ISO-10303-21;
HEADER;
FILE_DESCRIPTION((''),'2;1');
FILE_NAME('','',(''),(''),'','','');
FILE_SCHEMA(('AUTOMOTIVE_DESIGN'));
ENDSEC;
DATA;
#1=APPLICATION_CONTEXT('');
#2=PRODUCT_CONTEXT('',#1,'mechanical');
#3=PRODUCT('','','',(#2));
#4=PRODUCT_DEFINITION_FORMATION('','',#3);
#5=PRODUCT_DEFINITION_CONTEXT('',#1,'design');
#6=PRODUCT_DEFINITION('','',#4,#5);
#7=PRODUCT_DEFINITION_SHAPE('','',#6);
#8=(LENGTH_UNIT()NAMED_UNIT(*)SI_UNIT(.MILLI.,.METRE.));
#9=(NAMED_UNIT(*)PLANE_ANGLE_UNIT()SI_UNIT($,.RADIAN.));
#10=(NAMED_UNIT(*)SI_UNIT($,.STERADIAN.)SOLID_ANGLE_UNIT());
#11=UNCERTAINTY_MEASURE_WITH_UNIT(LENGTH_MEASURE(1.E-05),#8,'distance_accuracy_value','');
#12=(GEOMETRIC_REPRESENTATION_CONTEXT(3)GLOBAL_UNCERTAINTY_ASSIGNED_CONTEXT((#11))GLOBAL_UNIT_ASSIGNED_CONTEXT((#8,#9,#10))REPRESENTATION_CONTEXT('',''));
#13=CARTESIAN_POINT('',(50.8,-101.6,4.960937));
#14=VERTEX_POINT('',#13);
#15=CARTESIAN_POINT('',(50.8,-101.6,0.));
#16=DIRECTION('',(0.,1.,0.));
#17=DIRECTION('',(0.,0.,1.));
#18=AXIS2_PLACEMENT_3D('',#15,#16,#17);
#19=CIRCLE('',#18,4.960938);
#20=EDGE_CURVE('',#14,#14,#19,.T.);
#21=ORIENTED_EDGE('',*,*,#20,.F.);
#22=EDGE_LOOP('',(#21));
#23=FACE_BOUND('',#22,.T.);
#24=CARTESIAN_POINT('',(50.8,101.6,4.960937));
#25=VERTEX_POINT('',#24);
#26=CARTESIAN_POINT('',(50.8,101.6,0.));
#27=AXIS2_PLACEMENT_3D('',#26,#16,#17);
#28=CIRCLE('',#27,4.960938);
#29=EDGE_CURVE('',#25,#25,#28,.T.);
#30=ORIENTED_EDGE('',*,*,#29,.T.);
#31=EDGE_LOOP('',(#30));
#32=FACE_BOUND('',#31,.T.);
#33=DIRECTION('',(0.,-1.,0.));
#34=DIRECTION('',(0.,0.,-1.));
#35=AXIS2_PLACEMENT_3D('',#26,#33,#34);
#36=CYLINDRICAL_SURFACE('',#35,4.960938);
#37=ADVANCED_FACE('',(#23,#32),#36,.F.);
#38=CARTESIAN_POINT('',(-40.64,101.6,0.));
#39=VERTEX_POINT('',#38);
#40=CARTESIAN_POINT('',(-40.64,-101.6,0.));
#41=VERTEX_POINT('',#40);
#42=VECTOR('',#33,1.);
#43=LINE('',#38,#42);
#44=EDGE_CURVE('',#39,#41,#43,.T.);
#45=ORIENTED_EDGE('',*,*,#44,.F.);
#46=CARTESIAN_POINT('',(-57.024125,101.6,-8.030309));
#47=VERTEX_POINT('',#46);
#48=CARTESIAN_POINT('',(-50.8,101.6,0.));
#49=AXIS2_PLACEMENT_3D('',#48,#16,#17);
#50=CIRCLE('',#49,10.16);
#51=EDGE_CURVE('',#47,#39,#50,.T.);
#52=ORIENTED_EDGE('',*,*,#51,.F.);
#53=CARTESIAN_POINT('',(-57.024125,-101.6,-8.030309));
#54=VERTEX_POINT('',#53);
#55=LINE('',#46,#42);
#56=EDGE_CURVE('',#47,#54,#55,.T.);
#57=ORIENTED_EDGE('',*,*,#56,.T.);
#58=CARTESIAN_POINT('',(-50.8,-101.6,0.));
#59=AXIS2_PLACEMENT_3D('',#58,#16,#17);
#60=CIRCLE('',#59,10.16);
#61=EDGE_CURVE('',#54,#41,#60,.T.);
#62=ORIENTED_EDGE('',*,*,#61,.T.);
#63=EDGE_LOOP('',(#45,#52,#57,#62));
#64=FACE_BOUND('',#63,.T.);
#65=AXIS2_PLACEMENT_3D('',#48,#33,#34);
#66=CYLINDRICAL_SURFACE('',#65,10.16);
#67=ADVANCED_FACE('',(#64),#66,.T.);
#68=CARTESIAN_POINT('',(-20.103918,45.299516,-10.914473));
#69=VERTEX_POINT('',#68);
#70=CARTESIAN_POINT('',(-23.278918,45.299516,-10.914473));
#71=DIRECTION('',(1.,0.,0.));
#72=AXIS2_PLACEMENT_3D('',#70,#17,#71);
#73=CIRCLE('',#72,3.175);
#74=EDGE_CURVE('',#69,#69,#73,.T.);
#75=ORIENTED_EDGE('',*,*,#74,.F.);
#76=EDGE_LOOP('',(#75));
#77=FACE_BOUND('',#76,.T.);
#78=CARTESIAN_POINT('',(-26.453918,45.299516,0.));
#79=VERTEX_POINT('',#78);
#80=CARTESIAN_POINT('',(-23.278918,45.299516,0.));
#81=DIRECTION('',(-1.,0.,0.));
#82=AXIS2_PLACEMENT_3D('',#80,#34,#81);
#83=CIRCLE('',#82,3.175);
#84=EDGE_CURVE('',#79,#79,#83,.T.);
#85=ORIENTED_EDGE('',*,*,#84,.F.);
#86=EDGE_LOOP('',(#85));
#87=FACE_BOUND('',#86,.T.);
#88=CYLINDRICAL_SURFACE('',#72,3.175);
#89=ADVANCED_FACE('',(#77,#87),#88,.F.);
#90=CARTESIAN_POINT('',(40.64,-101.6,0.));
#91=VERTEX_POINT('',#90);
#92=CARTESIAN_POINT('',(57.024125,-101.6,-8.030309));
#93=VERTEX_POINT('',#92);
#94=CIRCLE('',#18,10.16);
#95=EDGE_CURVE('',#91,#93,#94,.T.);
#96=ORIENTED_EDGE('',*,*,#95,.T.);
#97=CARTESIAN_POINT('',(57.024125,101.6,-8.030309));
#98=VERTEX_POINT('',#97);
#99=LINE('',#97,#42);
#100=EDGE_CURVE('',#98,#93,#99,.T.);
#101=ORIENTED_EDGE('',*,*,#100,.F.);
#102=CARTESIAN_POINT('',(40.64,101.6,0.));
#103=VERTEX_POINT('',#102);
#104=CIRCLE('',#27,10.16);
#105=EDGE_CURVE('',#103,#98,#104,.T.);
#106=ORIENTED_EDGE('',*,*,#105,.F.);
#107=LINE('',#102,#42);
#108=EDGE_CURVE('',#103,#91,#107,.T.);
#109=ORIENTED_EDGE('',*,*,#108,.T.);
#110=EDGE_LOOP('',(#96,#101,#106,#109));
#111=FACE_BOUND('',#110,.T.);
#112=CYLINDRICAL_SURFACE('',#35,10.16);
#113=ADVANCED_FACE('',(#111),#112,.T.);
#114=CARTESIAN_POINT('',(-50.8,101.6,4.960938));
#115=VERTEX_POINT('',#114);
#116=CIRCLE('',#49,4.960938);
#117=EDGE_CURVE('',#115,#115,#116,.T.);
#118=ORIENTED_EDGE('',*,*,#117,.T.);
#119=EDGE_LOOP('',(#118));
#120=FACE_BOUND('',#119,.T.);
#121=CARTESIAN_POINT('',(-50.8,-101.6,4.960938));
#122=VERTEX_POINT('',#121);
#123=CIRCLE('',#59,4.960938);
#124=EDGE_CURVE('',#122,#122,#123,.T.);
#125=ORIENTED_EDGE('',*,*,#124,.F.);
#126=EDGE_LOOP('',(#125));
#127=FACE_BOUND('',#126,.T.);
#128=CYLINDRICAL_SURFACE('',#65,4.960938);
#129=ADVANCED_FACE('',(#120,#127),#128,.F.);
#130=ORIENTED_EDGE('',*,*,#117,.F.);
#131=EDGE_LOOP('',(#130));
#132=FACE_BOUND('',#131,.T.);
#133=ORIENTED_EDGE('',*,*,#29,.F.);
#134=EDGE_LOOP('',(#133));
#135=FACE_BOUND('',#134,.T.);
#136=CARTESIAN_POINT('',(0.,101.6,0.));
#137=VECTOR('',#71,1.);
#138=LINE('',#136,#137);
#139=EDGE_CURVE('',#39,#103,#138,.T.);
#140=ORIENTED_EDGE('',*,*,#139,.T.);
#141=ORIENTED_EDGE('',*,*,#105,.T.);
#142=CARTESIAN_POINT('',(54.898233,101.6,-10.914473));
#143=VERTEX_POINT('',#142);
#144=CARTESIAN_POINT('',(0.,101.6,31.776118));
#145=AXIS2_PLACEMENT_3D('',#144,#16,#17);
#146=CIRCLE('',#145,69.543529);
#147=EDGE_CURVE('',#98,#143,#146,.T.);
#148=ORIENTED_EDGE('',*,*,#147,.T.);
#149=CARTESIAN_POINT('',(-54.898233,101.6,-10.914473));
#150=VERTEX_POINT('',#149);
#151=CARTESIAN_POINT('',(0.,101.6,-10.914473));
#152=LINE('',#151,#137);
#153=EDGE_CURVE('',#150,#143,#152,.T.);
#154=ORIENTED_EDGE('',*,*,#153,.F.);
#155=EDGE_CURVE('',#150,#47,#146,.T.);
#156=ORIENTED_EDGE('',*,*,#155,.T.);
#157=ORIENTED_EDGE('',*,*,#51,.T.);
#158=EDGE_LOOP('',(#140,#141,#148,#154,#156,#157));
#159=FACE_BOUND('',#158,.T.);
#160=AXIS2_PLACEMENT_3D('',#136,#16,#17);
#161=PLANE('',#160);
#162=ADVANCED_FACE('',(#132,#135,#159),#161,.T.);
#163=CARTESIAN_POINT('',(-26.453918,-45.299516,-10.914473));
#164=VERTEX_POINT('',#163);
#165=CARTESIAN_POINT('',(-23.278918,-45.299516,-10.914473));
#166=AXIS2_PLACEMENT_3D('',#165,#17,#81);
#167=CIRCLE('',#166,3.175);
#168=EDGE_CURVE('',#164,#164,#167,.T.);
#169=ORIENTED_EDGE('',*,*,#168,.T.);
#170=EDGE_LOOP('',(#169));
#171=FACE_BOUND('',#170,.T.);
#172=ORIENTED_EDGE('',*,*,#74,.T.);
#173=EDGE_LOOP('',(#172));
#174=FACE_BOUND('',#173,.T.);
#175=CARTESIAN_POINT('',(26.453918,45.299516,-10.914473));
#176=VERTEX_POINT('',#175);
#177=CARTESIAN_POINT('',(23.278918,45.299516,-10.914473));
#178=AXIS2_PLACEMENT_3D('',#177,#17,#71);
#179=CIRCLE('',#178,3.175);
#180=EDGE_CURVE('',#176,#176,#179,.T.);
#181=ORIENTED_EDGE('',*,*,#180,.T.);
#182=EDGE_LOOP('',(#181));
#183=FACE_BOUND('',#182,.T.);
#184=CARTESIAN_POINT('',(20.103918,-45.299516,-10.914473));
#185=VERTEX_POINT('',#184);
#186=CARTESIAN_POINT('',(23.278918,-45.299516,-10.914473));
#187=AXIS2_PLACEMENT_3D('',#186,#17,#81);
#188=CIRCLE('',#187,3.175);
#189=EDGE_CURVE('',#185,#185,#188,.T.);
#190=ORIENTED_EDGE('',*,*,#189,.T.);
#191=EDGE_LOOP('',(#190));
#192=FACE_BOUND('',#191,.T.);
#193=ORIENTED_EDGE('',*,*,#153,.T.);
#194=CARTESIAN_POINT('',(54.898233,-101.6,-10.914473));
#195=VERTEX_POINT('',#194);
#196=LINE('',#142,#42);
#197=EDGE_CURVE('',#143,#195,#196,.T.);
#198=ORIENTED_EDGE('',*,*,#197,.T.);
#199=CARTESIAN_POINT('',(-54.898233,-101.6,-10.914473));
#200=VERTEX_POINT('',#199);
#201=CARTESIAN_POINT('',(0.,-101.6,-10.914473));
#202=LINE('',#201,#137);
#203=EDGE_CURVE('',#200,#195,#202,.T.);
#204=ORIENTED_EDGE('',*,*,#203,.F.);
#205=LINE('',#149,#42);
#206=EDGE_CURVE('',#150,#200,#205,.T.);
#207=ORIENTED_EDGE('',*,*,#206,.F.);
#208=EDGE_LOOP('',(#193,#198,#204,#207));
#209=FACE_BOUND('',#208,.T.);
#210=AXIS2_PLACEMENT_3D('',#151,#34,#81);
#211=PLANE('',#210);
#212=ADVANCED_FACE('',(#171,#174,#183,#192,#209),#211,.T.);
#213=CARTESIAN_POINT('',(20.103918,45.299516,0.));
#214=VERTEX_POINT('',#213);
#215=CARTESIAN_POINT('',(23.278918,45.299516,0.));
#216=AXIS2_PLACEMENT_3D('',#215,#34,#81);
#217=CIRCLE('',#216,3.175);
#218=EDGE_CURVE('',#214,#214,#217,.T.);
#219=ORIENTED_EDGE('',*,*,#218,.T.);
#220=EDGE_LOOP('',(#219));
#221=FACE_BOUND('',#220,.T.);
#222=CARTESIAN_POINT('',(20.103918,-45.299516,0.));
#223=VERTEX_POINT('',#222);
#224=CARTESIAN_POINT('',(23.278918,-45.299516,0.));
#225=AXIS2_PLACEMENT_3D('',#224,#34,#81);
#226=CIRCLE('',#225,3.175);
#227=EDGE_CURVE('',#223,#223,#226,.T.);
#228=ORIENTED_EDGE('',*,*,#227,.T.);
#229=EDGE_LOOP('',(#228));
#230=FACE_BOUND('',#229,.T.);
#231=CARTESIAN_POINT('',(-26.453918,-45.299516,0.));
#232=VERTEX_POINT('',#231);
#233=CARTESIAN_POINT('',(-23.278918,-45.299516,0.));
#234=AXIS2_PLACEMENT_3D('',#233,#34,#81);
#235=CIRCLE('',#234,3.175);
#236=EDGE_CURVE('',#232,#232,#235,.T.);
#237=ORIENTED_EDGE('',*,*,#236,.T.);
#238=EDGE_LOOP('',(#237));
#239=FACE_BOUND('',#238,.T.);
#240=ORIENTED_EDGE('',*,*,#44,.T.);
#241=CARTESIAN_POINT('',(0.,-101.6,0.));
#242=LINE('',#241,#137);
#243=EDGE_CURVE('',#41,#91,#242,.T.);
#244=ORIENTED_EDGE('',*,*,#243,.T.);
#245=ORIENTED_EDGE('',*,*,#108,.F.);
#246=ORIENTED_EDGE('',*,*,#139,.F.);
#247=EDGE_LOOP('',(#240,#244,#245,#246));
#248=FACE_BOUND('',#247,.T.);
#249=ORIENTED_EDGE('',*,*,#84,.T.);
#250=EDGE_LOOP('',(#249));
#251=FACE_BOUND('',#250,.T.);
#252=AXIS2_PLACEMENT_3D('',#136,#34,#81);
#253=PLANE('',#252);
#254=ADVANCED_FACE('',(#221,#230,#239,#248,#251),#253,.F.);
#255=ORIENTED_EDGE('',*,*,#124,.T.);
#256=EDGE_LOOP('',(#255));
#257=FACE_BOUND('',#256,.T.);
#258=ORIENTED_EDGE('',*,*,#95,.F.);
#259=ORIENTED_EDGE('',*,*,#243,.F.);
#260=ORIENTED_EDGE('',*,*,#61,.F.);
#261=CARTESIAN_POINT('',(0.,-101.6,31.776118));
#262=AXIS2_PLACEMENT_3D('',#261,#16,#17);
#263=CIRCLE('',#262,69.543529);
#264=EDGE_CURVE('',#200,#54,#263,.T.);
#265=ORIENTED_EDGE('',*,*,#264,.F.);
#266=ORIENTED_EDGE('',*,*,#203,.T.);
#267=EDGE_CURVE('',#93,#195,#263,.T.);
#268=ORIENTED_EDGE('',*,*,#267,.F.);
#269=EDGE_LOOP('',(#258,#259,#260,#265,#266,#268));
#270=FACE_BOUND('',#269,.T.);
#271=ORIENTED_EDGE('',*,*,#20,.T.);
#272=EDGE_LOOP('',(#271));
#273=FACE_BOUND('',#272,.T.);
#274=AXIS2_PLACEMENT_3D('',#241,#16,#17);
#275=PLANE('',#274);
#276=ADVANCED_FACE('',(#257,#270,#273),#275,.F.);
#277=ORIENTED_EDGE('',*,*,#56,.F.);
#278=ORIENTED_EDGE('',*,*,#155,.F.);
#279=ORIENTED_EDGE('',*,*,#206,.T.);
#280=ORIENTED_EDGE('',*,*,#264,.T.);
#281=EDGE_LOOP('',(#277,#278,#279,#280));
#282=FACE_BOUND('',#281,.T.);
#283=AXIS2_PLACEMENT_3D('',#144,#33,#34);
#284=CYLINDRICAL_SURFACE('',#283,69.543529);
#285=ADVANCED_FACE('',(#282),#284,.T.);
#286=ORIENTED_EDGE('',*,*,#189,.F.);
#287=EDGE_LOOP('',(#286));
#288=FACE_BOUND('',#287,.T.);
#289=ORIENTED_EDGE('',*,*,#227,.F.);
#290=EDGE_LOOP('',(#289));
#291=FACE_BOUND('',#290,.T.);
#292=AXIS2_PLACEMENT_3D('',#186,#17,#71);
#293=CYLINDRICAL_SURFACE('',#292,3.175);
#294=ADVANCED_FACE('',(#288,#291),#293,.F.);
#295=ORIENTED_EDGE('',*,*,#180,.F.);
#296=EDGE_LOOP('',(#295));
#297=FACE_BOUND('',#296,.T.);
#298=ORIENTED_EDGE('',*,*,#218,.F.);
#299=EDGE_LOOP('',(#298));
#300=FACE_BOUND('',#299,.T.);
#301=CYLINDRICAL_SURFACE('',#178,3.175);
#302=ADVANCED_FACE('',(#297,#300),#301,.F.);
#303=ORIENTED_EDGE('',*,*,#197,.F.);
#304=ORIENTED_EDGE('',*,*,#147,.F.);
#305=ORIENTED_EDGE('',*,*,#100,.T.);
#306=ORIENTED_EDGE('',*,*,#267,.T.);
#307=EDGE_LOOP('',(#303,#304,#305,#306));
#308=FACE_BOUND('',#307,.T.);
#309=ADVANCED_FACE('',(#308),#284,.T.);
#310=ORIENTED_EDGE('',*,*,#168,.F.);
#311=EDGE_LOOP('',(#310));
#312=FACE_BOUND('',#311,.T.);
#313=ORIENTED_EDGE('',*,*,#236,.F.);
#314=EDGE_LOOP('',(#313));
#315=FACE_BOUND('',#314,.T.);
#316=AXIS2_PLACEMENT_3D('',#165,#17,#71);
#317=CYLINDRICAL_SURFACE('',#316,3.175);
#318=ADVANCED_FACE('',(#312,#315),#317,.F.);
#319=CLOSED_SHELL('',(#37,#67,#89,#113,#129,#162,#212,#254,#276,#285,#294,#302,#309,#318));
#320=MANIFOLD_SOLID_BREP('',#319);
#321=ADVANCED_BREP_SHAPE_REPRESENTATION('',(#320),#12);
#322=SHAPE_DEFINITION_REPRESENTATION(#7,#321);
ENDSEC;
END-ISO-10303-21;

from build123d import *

# Parameters (mm, degrees)
SKETCH1_R               = 4.9609375
BOSS_EXTRUDE1_DEPTH     = 101.6
SKETCH2_R               = 3.175
CUT_EXTRUDE1_DEPTH      = 11.16
CUT_EXTRUDE1_DEPTH_BACK = 11.914472708


with BuildPart() as part:
    # Sketch1 → Boss-Extrude1 (new body, symmetric)
    with BuildSketch(Plane(origin=(0, 0, 0), x_dir=(1, 0, 0), z_dir=(0, 1, 0))):
        with BuildLine():
            ThreePointArc((-54.898232946, 10.914472708), (-55.979756859, 9.486084273), (-57.024125462, 8.030308975))
            ThreePointArc((-57.024125462, 8.030308975), (-55.271492218, -9.123122127), (-40.64, 0))
            Line((-40.64, 0), (40.64, 0))
            ThreePointArc((40.64, 0), (55.271492218, -9.123122127), (57.024125462, 8.030308975))
            ThreePointArc((57.024125462, 8.030308975), (55.979756859, 9.486084273), (54.898232946, 10.914472708))
            Line((54.898232946, 10.914472708), (-54.898232946, 10.914472708))
        make_face()
        with Locations((-50.8, 0)):
            Circle(SKETCH1_R, mode=Mode.SUBTRACT)
        with Locations((50.8, 0)):
            Circle(SKETCH1_R, mode=Mode.SUBTRACT)
    extrude(amount=BOSS_EXTRUDE1_DEPTH, both=True)

    # Sketch2 → Cut-Extrude1 (cut, two sides)
    with BuildSketch(Plane.XY) as cut_extrude1_sk:
        with Locations((-23.278917925, 45.299515962)):
            Circle(SKETCH2_R)
        with Locations((23.278917925, 45.299515962)):
            Circle(SKETCH2_R)
        with Locations((23.278917925, -45.299515962)):
            Circle(SKETCH2_R)
        with Locations((-23.278917925, -45.299515962)):
            Circle(SKETCH2_R)
    extrude(amount=CUT_EXTRUDE1_DEPTH, mode=Mode.SUBTRACT)
    extrude(cut_extrude1_sk.sketch, amount=-CUT_EXTRUDE1_DEPTH_BACK, mode=Mode.SUBTRACT)


solid = part.part
